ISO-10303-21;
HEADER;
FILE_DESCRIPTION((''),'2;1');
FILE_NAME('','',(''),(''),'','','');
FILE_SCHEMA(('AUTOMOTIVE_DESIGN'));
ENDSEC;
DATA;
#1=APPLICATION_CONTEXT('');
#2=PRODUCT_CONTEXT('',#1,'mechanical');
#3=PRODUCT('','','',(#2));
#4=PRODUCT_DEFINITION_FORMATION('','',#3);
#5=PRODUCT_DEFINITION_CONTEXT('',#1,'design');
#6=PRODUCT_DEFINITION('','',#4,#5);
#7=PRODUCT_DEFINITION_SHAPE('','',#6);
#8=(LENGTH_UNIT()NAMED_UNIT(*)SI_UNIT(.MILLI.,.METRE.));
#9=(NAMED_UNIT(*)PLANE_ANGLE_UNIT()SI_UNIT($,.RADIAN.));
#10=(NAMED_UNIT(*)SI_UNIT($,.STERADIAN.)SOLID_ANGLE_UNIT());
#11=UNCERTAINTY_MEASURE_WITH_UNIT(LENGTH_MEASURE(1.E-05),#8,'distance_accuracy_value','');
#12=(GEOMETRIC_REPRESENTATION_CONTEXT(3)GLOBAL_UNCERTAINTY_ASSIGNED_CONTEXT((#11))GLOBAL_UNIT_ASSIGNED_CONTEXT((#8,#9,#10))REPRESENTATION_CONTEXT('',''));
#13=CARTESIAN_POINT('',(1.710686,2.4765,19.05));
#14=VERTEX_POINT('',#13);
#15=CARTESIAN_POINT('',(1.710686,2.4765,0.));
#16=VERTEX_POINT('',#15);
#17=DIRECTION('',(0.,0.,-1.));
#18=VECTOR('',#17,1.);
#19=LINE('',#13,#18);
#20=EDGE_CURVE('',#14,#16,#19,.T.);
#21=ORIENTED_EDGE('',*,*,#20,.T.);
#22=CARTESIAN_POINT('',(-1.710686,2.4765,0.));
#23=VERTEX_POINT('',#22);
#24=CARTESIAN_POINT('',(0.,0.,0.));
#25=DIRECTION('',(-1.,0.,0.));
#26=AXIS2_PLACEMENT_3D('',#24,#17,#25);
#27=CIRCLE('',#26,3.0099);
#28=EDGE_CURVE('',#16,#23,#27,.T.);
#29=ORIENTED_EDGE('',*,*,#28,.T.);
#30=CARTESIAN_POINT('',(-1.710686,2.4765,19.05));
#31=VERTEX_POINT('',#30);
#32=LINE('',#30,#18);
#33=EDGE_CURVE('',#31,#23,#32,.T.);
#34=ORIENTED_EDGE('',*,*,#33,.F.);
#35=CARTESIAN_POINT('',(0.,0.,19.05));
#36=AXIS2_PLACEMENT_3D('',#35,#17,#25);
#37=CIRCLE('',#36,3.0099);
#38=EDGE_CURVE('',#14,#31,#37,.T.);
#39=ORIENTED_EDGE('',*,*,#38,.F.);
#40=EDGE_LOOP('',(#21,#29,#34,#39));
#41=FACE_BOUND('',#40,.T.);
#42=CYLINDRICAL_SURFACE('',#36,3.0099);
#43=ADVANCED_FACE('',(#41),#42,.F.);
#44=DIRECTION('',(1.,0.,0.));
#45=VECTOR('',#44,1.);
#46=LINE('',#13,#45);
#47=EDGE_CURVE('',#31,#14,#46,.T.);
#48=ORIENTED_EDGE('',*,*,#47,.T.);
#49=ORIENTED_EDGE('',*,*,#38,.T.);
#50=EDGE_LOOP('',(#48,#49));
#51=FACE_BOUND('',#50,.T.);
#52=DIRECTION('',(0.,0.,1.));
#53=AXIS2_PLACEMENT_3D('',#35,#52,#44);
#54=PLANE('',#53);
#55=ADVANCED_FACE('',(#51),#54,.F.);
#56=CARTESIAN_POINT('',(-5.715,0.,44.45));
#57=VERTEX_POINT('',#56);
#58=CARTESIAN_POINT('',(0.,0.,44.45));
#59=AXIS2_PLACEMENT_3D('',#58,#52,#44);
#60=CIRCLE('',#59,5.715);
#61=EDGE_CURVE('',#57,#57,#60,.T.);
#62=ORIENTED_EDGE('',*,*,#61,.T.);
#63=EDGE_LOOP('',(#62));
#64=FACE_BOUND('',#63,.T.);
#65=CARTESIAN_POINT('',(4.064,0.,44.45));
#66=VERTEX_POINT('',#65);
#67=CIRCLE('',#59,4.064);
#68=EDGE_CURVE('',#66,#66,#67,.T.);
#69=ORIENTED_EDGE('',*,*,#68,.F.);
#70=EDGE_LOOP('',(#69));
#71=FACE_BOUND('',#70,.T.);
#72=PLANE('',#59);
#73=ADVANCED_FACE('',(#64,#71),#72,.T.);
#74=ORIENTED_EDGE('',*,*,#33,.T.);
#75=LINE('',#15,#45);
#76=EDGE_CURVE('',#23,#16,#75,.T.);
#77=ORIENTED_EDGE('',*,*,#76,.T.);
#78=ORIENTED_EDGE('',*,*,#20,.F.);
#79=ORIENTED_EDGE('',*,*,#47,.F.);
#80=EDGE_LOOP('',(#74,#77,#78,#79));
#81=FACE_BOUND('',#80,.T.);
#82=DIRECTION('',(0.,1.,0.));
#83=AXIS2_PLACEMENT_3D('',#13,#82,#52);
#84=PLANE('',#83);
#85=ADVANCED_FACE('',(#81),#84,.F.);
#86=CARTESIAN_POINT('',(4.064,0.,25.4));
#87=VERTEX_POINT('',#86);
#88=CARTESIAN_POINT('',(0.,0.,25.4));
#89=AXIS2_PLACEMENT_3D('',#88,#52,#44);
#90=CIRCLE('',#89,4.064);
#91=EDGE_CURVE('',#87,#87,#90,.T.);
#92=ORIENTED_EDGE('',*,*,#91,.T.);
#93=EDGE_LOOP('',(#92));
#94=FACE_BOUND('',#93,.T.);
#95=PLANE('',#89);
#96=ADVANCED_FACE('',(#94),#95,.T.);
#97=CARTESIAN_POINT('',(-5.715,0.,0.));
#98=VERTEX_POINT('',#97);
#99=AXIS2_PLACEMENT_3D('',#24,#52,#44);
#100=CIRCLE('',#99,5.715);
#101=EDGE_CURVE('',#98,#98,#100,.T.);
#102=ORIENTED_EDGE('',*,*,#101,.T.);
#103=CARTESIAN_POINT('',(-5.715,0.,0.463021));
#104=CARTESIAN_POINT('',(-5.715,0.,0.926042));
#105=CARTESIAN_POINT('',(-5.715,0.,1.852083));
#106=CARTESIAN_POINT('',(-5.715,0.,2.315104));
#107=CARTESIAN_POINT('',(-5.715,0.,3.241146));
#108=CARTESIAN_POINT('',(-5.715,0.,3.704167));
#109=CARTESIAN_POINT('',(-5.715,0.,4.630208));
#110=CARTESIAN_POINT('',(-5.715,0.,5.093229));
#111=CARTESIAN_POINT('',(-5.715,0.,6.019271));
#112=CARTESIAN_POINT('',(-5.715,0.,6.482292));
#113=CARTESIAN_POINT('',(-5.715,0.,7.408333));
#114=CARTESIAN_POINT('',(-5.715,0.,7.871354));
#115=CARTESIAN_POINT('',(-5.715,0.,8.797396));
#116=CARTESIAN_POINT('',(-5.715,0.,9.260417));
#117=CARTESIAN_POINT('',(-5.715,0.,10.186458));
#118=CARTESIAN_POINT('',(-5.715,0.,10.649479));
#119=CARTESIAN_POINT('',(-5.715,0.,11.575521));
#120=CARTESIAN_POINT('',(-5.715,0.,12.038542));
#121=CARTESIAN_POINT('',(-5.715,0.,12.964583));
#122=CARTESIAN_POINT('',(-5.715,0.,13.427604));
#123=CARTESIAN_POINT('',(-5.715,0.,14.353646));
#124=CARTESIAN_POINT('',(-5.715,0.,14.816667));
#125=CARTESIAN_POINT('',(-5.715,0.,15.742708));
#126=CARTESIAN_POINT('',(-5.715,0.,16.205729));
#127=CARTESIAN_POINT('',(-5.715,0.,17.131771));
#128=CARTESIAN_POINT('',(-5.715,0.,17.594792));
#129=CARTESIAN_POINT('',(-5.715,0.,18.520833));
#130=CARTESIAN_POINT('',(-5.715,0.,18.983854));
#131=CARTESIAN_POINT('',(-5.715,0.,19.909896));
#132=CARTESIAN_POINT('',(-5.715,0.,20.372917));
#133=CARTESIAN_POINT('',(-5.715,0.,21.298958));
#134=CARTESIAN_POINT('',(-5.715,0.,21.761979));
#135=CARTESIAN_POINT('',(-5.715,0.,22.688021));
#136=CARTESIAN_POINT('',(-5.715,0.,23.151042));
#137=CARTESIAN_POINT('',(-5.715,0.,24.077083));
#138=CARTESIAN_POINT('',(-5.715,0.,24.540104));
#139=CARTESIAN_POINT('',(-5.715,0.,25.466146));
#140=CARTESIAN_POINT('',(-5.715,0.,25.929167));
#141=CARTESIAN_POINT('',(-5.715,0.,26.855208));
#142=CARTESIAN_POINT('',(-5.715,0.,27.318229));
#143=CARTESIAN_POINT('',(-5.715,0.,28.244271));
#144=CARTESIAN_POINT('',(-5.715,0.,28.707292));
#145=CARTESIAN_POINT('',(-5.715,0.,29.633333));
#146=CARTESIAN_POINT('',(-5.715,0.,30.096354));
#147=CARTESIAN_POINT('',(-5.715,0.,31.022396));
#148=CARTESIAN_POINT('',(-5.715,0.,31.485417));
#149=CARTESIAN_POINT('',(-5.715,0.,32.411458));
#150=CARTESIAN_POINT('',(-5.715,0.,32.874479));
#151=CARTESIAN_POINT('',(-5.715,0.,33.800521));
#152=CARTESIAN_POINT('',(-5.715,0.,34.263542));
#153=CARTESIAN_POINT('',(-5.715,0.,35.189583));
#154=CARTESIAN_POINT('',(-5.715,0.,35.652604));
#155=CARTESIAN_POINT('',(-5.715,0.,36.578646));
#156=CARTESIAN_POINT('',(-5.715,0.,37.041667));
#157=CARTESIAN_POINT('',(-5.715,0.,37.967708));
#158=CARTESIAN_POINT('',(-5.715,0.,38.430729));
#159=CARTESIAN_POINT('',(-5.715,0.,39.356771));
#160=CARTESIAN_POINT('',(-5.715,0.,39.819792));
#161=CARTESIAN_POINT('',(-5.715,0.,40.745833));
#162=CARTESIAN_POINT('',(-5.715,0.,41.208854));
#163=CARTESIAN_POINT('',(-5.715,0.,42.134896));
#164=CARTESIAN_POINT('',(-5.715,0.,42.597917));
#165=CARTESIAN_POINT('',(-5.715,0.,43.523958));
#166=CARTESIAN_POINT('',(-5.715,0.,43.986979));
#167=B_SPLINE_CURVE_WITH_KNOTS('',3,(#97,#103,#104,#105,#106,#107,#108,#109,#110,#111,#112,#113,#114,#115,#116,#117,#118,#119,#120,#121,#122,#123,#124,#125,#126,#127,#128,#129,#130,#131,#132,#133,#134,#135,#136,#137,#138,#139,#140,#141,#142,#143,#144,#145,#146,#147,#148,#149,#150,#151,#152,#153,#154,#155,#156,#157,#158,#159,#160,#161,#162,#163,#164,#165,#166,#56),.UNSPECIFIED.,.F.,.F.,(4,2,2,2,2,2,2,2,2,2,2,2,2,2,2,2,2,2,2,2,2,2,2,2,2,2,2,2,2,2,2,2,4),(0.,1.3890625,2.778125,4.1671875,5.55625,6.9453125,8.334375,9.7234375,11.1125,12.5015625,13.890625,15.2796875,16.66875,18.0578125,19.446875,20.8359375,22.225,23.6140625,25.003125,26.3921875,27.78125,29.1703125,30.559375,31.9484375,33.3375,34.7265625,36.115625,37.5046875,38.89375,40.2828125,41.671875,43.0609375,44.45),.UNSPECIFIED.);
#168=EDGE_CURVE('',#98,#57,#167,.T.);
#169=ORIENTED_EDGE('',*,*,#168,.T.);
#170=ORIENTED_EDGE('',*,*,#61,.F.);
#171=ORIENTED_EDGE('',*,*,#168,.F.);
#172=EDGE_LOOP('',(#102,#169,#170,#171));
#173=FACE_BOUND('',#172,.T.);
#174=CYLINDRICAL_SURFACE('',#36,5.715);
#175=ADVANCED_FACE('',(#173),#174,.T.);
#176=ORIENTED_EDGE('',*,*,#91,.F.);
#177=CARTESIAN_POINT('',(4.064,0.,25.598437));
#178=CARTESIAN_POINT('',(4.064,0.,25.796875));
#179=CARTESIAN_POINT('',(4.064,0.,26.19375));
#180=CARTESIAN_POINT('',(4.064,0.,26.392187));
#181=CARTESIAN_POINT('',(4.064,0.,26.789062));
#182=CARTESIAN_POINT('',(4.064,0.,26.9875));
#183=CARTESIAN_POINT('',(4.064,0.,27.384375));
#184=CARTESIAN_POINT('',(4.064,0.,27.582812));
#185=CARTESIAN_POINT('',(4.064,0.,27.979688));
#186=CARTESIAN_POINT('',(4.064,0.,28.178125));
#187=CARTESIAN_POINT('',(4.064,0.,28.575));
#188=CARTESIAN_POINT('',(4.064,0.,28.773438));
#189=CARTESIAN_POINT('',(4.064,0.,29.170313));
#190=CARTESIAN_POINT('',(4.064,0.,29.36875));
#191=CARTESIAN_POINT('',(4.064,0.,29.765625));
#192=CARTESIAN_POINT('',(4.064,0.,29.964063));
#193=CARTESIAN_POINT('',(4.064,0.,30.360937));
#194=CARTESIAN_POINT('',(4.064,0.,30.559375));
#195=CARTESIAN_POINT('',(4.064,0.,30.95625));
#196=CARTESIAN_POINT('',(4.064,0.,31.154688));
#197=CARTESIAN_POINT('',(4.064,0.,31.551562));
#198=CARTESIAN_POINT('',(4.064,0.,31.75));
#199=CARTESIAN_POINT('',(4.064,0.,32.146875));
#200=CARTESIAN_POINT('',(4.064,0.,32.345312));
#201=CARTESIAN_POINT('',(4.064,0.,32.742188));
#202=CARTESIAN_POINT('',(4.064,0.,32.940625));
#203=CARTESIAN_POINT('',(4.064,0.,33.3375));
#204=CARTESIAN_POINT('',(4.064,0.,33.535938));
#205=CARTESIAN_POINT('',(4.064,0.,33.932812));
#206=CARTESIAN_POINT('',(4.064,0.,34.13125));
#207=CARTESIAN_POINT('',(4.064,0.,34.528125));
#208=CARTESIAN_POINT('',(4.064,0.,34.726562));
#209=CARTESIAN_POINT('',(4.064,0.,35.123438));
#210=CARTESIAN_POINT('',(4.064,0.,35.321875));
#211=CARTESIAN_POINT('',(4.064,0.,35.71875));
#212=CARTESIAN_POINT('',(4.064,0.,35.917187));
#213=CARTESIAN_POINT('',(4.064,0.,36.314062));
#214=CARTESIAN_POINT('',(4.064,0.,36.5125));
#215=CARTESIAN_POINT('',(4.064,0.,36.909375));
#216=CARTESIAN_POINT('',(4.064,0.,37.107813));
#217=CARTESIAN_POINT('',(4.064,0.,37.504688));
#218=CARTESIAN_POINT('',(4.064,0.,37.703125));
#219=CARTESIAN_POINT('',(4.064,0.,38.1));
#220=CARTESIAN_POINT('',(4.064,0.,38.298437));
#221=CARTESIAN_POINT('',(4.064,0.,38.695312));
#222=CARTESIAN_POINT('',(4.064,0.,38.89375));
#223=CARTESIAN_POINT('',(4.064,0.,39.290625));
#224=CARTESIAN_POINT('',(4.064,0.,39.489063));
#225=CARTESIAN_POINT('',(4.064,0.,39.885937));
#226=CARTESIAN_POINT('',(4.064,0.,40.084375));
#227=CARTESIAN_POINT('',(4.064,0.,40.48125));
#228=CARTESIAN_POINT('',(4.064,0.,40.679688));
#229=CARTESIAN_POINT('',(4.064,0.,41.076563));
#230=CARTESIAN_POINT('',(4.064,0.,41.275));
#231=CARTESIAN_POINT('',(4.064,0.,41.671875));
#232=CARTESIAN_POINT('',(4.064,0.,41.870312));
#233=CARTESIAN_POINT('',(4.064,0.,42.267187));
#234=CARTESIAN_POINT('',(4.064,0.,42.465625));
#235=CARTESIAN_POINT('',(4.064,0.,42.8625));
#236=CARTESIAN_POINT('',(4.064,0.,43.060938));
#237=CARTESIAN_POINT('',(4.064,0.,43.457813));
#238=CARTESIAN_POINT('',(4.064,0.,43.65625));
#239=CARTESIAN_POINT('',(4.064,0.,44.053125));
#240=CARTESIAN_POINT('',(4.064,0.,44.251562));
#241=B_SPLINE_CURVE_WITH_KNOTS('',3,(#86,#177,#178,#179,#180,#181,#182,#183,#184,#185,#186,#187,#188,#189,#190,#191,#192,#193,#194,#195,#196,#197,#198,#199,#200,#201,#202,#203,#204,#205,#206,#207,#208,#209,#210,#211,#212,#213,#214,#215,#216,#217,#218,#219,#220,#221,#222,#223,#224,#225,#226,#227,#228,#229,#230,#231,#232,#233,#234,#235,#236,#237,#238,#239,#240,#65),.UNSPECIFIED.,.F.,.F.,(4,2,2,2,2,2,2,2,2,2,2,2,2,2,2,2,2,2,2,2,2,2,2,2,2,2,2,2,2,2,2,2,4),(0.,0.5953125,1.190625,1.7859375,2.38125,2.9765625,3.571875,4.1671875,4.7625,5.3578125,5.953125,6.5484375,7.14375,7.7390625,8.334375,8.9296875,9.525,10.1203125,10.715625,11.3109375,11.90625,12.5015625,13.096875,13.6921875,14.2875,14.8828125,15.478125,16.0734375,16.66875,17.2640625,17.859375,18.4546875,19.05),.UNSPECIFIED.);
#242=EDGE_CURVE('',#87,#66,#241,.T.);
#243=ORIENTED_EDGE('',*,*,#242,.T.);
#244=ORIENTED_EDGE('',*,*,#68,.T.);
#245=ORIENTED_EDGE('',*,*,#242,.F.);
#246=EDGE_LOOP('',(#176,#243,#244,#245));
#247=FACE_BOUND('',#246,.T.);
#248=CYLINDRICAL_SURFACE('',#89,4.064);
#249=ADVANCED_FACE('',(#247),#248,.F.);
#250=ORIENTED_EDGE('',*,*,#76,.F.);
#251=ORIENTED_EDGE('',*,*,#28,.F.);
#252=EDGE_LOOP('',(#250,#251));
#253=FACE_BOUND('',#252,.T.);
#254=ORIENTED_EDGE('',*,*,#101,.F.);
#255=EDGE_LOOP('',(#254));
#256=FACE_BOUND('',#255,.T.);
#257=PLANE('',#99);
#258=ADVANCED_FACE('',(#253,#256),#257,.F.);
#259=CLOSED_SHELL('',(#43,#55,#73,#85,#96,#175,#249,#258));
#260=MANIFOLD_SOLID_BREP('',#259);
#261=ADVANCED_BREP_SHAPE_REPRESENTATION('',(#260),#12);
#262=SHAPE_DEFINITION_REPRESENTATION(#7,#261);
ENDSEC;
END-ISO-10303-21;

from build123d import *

# Parameters (mm, degrees)
SKETCH2_R           = 5.715
BOSS_EXTRUDE1_DEPTH = 19.05
CUT_EXTRUDE1_DEPTH  = 21.693596836
SKETCH9_R           = 5.715
BOSS_EXTRUDE5_DEPTH = 12.7
SKETCH10_R          = 5.715
BOSS_EXTRUDE6_DEPTH = 12.7
SKETCH11_R          = 4.064
CUT_EXTRUDE2_DEPTH  = 19.05


with BuildPart() as part:
    # Sketch2 → Boss-Extrude1 (new body)
    with BuildSketch(Plane.XY):
        with Locations(Location((0, 0, 0), (0, 0, 180))):
            Circle(SKETCH2_R)
    extrude(amount=BOSS_EXTRUDE1_DEPTH)

    # Sketch3 → Cut-Extrude1 (cut, through all)
    with BuildSketch(Plane(origin=(0, 0, 0), x_dir=(-1, 0, 0), z_dir=(0, 0, -1))):
        with BuildLine():
            Line((-1.710685757, 2.4765), (1.710685757, 2.4765))
            ThreePointArc((1.710685757, 2.4765), (0, -3.0099), (-1.710685757, 2.4765))
        make_face()
    extrude(amount=-CUT_EXTRUDE1_DEPTH, mode=Mode.SUBTRACT)

    # Sketch9 → Boss-Extrude5 (add)
    with BuildSketch(Plane.XY.offset(19.05)):
        with Locations(Location((0, 0, 0), (0, 0, 180))):
            Circle(SKETCH9_R)
    extrude(amount=BOSS_EXTRUDE5_DEPTH)

    # Sketch10 → Boss-Extrude6 (add)
    with BuildSketch(Plane.XY.offset(31.75)):
        with Locations(Location((0, 0, 0), (0, 0, 180))):
            Circle(SKETCH10_R)
    extrude(amount=BOSS_EXTRUDE6_DEPTH)

    # Sketch11 → Cut-Extrude2 (cut)
    with BuildSketch(Plane.XY.offset(44.45)):
        Circle(SKETCH11_R)
    extrude(amount=-CUT_EXTRUDE2_DEPTH, mode=Mode.SUBTRACT)


solid = part.part
